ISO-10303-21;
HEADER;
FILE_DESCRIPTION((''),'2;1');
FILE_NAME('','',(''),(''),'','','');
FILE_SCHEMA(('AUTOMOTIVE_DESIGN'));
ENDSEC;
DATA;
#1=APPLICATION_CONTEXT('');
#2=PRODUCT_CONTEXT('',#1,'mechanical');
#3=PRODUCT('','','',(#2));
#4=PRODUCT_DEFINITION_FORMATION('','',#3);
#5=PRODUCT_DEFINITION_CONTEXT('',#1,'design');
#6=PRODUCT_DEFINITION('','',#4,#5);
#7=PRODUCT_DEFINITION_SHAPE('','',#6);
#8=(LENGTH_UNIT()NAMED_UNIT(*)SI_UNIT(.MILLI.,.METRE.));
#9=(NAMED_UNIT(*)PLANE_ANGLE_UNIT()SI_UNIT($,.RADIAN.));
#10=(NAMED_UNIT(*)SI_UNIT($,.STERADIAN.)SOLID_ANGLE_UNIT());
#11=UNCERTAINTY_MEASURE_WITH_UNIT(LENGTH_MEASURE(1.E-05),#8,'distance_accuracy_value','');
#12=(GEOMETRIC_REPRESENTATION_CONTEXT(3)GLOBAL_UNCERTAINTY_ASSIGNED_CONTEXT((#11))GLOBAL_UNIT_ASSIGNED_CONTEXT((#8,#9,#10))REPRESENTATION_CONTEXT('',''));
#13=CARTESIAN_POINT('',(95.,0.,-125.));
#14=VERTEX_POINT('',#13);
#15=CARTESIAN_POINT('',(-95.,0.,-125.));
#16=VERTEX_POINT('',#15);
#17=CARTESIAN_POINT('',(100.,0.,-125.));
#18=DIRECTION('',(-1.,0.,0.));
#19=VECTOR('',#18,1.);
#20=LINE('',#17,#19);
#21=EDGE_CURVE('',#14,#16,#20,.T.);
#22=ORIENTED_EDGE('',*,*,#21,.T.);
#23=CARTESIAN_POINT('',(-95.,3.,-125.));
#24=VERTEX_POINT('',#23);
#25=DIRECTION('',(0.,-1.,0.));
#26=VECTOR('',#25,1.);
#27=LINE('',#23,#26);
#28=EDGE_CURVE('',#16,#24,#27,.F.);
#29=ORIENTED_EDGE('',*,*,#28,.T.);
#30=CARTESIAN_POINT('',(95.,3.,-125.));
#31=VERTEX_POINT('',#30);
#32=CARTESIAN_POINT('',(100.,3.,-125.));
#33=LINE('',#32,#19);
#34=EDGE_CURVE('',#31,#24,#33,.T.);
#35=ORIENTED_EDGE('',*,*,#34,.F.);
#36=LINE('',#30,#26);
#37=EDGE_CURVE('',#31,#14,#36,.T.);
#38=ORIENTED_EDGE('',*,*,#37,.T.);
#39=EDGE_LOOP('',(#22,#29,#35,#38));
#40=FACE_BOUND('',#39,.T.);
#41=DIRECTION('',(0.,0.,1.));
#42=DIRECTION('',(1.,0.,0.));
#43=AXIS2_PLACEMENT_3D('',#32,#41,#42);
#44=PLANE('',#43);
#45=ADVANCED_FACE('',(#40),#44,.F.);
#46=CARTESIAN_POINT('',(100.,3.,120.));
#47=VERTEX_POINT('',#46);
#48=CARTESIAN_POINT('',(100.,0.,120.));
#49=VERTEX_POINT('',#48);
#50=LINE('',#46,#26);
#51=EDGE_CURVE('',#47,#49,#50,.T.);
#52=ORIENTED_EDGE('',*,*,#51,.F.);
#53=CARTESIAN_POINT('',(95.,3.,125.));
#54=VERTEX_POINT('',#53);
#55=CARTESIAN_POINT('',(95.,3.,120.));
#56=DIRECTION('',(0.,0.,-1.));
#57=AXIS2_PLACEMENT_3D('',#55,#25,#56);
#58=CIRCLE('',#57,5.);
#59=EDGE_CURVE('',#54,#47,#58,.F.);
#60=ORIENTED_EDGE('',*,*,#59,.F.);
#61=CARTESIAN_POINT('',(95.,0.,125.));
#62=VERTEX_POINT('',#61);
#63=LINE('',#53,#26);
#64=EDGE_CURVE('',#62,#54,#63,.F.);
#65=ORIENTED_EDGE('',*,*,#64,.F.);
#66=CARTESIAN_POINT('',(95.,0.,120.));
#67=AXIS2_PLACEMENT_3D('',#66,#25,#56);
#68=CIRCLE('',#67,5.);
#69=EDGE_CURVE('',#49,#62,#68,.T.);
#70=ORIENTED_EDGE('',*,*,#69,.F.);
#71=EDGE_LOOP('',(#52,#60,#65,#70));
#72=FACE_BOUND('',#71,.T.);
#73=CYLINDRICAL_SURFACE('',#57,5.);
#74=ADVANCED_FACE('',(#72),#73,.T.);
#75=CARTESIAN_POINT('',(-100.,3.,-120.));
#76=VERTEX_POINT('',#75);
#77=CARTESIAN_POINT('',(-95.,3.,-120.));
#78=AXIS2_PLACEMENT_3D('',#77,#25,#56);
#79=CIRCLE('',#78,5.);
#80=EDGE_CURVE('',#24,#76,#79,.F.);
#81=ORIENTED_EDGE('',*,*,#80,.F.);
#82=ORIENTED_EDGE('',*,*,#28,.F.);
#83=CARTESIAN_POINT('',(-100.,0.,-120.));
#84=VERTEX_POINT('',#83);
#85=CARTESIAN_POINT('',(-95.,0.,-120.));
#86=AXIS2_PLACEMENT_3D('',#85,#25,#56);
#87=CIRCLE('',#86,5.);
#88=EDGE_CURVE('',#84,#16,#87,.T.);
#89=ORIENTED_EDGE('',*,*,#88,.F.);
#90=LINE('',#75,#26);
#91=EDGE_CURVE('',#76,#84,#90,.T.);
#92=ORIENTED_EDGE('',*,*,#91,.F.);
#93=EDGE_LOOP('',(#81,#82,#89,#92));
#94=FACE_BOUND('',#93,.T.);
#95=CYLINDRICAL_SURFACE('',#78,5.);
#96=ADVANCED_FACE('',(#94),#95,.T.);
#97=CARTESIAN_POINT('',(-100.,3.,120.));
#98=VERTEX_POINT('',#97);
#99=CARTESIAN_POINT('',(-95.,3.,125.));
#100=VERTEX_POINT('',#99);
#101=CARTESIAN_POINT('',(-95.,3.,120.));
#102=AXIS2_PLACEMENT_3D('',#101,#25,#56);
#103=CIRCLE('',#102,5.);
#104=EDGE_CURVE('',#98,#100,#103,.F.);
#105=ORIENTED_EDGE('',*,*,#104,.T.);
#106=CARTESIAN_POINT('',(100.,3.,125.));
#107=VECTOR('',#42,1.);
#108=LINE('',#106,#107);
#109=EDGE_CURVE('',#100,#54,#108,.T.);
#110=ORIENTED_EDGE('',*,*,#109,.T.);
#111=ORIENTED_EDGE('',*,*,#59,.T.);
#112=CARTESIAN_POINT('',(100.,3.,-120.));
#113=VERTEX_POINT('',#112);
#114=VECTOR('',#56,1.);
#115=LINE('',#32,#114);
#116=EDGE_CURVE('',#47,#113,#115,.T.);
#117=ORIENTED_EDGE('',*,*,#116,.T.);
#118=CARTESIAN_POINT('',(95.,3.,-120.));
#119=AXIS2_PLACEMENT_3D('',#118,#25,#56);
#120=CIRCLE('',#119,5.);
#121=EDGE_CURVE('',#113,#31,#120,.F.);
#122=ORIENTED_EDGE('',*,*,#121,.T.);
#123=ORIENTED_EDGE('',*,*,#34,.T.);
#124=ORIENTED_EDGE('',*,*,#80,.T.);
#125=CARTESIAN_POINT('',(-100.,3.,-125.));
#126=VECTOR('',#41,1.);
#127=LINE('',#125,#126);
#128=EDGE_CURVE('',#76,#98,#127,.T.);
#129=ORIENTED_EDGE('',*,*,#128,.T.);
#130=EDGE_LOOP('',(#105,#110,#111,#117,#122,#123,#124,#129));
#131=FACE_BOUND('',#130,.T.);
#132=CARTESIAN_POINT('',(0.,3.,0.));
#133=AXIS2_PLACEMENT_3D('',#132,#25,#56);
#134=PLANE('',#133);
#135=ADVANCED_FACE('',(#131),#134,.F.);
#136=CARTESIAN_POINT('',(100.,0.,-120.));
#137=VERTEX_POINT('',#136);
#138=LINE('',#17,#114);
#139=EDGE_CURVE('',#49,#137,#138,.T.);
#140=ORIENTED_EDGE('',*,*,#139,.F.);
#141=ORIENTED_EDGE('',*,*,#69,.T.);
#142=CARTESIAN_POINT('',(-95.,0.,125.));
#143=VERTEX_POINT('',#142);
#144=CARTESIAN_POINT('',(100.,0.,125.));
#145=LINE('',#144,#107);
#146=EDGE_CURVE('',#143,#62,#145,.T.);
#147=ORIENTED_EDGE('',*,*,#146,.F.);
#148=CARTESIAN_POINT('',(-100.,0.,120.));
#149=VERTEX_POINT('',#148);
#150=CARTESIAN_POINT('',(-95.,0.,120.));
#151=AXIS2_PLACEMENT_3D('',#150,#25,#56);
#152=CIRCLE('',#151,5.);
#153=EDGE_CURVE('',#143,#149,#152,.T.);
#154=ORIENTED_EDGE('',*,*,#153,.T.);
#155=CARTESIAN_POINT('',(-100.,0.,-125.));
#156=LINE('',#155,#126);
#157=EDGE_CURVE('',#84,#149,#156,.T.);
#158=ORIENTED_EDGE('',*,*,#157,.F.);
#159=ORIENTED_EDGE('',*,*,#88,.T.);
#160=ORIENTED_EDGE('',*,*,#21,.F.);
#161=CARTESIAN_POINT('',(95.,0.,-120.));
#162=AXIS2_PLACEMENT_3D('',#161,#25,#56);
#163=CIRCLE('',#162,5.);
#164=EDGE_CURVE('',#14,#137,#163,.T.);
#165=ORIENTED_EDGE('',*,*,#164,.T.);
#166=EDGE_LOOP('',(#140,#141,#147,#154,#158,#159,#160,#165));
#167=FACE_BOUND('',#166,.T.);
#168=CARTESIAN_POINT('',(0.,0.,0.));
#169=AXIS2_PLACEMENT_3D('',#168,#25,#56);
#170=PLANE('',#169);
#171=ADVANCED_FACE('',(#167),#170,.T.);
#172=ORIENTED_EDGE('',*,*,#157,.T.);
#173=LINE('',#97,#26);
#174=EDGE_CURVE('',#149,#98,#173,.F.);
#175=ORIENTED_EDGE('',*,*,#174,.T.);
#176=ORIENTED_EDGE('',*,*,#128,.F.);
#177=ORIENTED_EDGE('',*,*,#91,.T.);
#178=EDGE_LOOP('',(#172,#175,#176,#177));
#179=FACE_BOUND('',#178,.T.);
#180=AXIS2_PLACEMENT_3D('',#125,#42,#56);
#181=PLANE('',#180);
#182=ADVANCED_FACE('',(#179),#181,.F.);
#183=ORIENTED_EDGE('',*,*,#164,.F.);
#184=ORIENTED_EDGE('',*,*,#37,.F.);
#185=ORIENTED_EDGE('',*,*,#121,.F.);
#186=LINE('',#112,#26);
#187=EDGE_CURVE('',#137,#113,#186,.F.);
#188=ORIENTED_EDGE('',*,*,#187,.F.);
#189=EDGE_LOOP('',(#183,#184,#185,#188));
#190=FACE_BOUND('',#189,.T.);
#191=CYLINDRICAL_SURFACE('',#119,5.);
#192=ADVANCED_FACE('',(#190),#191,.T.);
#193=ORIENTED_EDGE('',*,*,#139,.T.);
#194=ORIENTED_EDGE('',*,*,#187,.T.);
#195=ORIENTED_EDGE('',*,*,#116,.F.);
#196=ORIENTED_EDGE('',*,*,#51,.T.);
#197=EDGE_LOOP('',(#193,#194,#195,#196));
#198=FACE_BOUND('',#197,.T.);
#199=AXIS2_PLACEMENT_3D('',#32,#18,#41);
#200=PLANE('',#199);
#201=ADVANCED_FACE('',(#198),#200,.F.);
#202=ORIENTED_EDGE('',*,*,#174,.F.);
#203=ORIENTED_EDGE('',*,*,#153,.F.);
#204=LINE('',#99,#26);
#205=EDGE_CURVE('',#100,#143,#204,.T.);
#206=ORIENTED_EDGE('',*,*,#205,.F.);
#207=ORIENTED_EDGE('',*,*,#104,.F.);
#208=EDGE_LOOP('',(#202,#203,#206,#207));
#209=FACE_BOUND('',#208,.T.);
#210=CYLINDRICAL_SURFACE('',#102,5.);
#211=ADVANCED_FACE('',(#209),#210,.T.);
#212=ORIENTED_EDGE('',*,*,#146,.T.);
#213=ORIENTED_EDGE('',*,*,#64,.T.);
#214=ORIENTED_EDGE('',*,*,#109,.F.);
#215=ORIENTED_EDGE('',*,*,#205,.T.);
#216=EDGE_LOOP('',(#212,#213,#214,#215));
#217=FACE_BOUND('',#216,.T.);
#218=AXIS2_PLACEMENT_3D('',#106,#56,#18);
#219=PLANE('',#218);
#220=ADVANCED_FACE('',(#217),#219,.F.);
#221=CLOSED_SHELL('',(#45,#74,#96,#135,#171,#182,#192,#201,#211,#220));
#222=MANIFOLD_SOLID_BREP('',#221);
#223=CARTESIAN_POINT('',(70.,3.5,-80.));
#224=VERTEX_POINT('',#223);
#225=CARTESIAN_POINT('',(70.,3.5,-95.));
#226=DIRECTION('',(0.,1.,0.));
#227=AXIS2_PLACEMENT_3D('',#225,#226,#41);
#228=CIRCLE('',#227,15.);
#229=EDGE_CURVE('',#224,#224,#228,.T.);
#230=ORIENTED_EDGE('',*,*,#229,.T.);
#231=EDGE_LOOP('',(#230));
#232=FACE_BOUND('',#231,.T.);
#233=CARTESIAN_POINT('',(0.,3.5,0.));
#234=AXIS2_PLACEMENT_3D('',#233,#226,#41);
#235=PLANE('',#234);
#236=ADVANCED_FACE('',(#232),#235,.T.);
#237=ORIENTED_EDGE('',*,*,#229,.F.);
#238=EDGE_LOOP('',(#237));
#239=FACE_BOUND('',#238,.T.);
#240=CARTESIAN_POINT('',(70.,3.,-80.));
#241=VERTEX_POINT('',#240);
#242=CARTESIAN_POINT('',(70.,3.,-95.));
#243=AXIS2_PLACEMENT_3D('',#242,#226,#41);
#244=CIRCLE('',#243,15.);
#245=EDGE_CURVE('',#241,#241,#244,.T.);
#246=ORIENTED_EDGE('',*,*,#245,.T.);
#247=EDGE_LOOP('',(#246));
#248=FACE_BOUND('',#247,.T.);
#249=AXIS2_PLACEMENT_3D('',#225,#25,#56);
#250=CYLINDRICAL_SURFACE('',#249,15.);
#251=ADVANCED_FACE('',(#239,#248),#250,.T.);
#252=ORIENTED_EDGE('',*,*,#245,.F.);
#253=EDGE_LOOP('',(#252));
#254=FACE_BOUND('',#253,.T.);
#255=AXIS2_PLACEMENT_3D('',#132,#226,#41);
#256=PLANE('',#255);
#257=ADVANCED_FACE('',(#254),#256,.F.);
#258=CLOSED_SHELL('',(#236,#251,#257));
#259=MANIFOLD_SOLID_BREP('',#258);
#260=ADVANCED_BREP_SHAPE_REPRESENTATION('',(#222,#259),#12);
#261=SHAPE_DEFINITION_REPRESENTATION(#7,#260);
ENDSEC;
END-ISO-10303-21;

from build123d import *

# Parameters (mm, degrees)
SKETCH1_W           = 200
SKETCH1_H           = 250
BOSS_EXTRUDE1_DEPTH = 3
SKETCH2_R           = 15
BOSS_EXTRUDE6_DEPTH = 0.5
FILLET1_R           = 5


with BuildPart() as part:
    # Sketch1 → Boss-Extrude1 (new body)
    with BuildSketch(Plane(origin=(0, 0, 0), x_dir=(1, 0, 0), z_dir=(0, 1, 0))):
        Rectangle(SKETCH1_W, SKETCH1_H)
    extrude(amount=BOSS_EXTRUDE1_DEPTH)

    # Fillet1
    fillet1_edges = [part.edges().sort_by_distance(p)[0] for p in [
        (-100, 1.5, -125),
        (100, 1.5, -125),
        (100, 1.5, 125),
        (-100, 1.5, 125),
    ]]
    fillet(fillet1_edges, radius=FILLET1_R)


with BuildPart() as body_2:
    # Sketch2 → Boss-Extrude6 (new body)
    with BuildSketch(Plane(origin=(0, 3, 0), x_dir=(1, 0, 0), z_dir=(0, 1, 0))):
        with Locations(Location((70, 95, 0), (0, 0, 270))):
            Circle(SKETCH2_R)
    extrude(amount=BOSS_EXTRUDE6_DEPTH)


solid = Compound([part.part, body_2.part])
